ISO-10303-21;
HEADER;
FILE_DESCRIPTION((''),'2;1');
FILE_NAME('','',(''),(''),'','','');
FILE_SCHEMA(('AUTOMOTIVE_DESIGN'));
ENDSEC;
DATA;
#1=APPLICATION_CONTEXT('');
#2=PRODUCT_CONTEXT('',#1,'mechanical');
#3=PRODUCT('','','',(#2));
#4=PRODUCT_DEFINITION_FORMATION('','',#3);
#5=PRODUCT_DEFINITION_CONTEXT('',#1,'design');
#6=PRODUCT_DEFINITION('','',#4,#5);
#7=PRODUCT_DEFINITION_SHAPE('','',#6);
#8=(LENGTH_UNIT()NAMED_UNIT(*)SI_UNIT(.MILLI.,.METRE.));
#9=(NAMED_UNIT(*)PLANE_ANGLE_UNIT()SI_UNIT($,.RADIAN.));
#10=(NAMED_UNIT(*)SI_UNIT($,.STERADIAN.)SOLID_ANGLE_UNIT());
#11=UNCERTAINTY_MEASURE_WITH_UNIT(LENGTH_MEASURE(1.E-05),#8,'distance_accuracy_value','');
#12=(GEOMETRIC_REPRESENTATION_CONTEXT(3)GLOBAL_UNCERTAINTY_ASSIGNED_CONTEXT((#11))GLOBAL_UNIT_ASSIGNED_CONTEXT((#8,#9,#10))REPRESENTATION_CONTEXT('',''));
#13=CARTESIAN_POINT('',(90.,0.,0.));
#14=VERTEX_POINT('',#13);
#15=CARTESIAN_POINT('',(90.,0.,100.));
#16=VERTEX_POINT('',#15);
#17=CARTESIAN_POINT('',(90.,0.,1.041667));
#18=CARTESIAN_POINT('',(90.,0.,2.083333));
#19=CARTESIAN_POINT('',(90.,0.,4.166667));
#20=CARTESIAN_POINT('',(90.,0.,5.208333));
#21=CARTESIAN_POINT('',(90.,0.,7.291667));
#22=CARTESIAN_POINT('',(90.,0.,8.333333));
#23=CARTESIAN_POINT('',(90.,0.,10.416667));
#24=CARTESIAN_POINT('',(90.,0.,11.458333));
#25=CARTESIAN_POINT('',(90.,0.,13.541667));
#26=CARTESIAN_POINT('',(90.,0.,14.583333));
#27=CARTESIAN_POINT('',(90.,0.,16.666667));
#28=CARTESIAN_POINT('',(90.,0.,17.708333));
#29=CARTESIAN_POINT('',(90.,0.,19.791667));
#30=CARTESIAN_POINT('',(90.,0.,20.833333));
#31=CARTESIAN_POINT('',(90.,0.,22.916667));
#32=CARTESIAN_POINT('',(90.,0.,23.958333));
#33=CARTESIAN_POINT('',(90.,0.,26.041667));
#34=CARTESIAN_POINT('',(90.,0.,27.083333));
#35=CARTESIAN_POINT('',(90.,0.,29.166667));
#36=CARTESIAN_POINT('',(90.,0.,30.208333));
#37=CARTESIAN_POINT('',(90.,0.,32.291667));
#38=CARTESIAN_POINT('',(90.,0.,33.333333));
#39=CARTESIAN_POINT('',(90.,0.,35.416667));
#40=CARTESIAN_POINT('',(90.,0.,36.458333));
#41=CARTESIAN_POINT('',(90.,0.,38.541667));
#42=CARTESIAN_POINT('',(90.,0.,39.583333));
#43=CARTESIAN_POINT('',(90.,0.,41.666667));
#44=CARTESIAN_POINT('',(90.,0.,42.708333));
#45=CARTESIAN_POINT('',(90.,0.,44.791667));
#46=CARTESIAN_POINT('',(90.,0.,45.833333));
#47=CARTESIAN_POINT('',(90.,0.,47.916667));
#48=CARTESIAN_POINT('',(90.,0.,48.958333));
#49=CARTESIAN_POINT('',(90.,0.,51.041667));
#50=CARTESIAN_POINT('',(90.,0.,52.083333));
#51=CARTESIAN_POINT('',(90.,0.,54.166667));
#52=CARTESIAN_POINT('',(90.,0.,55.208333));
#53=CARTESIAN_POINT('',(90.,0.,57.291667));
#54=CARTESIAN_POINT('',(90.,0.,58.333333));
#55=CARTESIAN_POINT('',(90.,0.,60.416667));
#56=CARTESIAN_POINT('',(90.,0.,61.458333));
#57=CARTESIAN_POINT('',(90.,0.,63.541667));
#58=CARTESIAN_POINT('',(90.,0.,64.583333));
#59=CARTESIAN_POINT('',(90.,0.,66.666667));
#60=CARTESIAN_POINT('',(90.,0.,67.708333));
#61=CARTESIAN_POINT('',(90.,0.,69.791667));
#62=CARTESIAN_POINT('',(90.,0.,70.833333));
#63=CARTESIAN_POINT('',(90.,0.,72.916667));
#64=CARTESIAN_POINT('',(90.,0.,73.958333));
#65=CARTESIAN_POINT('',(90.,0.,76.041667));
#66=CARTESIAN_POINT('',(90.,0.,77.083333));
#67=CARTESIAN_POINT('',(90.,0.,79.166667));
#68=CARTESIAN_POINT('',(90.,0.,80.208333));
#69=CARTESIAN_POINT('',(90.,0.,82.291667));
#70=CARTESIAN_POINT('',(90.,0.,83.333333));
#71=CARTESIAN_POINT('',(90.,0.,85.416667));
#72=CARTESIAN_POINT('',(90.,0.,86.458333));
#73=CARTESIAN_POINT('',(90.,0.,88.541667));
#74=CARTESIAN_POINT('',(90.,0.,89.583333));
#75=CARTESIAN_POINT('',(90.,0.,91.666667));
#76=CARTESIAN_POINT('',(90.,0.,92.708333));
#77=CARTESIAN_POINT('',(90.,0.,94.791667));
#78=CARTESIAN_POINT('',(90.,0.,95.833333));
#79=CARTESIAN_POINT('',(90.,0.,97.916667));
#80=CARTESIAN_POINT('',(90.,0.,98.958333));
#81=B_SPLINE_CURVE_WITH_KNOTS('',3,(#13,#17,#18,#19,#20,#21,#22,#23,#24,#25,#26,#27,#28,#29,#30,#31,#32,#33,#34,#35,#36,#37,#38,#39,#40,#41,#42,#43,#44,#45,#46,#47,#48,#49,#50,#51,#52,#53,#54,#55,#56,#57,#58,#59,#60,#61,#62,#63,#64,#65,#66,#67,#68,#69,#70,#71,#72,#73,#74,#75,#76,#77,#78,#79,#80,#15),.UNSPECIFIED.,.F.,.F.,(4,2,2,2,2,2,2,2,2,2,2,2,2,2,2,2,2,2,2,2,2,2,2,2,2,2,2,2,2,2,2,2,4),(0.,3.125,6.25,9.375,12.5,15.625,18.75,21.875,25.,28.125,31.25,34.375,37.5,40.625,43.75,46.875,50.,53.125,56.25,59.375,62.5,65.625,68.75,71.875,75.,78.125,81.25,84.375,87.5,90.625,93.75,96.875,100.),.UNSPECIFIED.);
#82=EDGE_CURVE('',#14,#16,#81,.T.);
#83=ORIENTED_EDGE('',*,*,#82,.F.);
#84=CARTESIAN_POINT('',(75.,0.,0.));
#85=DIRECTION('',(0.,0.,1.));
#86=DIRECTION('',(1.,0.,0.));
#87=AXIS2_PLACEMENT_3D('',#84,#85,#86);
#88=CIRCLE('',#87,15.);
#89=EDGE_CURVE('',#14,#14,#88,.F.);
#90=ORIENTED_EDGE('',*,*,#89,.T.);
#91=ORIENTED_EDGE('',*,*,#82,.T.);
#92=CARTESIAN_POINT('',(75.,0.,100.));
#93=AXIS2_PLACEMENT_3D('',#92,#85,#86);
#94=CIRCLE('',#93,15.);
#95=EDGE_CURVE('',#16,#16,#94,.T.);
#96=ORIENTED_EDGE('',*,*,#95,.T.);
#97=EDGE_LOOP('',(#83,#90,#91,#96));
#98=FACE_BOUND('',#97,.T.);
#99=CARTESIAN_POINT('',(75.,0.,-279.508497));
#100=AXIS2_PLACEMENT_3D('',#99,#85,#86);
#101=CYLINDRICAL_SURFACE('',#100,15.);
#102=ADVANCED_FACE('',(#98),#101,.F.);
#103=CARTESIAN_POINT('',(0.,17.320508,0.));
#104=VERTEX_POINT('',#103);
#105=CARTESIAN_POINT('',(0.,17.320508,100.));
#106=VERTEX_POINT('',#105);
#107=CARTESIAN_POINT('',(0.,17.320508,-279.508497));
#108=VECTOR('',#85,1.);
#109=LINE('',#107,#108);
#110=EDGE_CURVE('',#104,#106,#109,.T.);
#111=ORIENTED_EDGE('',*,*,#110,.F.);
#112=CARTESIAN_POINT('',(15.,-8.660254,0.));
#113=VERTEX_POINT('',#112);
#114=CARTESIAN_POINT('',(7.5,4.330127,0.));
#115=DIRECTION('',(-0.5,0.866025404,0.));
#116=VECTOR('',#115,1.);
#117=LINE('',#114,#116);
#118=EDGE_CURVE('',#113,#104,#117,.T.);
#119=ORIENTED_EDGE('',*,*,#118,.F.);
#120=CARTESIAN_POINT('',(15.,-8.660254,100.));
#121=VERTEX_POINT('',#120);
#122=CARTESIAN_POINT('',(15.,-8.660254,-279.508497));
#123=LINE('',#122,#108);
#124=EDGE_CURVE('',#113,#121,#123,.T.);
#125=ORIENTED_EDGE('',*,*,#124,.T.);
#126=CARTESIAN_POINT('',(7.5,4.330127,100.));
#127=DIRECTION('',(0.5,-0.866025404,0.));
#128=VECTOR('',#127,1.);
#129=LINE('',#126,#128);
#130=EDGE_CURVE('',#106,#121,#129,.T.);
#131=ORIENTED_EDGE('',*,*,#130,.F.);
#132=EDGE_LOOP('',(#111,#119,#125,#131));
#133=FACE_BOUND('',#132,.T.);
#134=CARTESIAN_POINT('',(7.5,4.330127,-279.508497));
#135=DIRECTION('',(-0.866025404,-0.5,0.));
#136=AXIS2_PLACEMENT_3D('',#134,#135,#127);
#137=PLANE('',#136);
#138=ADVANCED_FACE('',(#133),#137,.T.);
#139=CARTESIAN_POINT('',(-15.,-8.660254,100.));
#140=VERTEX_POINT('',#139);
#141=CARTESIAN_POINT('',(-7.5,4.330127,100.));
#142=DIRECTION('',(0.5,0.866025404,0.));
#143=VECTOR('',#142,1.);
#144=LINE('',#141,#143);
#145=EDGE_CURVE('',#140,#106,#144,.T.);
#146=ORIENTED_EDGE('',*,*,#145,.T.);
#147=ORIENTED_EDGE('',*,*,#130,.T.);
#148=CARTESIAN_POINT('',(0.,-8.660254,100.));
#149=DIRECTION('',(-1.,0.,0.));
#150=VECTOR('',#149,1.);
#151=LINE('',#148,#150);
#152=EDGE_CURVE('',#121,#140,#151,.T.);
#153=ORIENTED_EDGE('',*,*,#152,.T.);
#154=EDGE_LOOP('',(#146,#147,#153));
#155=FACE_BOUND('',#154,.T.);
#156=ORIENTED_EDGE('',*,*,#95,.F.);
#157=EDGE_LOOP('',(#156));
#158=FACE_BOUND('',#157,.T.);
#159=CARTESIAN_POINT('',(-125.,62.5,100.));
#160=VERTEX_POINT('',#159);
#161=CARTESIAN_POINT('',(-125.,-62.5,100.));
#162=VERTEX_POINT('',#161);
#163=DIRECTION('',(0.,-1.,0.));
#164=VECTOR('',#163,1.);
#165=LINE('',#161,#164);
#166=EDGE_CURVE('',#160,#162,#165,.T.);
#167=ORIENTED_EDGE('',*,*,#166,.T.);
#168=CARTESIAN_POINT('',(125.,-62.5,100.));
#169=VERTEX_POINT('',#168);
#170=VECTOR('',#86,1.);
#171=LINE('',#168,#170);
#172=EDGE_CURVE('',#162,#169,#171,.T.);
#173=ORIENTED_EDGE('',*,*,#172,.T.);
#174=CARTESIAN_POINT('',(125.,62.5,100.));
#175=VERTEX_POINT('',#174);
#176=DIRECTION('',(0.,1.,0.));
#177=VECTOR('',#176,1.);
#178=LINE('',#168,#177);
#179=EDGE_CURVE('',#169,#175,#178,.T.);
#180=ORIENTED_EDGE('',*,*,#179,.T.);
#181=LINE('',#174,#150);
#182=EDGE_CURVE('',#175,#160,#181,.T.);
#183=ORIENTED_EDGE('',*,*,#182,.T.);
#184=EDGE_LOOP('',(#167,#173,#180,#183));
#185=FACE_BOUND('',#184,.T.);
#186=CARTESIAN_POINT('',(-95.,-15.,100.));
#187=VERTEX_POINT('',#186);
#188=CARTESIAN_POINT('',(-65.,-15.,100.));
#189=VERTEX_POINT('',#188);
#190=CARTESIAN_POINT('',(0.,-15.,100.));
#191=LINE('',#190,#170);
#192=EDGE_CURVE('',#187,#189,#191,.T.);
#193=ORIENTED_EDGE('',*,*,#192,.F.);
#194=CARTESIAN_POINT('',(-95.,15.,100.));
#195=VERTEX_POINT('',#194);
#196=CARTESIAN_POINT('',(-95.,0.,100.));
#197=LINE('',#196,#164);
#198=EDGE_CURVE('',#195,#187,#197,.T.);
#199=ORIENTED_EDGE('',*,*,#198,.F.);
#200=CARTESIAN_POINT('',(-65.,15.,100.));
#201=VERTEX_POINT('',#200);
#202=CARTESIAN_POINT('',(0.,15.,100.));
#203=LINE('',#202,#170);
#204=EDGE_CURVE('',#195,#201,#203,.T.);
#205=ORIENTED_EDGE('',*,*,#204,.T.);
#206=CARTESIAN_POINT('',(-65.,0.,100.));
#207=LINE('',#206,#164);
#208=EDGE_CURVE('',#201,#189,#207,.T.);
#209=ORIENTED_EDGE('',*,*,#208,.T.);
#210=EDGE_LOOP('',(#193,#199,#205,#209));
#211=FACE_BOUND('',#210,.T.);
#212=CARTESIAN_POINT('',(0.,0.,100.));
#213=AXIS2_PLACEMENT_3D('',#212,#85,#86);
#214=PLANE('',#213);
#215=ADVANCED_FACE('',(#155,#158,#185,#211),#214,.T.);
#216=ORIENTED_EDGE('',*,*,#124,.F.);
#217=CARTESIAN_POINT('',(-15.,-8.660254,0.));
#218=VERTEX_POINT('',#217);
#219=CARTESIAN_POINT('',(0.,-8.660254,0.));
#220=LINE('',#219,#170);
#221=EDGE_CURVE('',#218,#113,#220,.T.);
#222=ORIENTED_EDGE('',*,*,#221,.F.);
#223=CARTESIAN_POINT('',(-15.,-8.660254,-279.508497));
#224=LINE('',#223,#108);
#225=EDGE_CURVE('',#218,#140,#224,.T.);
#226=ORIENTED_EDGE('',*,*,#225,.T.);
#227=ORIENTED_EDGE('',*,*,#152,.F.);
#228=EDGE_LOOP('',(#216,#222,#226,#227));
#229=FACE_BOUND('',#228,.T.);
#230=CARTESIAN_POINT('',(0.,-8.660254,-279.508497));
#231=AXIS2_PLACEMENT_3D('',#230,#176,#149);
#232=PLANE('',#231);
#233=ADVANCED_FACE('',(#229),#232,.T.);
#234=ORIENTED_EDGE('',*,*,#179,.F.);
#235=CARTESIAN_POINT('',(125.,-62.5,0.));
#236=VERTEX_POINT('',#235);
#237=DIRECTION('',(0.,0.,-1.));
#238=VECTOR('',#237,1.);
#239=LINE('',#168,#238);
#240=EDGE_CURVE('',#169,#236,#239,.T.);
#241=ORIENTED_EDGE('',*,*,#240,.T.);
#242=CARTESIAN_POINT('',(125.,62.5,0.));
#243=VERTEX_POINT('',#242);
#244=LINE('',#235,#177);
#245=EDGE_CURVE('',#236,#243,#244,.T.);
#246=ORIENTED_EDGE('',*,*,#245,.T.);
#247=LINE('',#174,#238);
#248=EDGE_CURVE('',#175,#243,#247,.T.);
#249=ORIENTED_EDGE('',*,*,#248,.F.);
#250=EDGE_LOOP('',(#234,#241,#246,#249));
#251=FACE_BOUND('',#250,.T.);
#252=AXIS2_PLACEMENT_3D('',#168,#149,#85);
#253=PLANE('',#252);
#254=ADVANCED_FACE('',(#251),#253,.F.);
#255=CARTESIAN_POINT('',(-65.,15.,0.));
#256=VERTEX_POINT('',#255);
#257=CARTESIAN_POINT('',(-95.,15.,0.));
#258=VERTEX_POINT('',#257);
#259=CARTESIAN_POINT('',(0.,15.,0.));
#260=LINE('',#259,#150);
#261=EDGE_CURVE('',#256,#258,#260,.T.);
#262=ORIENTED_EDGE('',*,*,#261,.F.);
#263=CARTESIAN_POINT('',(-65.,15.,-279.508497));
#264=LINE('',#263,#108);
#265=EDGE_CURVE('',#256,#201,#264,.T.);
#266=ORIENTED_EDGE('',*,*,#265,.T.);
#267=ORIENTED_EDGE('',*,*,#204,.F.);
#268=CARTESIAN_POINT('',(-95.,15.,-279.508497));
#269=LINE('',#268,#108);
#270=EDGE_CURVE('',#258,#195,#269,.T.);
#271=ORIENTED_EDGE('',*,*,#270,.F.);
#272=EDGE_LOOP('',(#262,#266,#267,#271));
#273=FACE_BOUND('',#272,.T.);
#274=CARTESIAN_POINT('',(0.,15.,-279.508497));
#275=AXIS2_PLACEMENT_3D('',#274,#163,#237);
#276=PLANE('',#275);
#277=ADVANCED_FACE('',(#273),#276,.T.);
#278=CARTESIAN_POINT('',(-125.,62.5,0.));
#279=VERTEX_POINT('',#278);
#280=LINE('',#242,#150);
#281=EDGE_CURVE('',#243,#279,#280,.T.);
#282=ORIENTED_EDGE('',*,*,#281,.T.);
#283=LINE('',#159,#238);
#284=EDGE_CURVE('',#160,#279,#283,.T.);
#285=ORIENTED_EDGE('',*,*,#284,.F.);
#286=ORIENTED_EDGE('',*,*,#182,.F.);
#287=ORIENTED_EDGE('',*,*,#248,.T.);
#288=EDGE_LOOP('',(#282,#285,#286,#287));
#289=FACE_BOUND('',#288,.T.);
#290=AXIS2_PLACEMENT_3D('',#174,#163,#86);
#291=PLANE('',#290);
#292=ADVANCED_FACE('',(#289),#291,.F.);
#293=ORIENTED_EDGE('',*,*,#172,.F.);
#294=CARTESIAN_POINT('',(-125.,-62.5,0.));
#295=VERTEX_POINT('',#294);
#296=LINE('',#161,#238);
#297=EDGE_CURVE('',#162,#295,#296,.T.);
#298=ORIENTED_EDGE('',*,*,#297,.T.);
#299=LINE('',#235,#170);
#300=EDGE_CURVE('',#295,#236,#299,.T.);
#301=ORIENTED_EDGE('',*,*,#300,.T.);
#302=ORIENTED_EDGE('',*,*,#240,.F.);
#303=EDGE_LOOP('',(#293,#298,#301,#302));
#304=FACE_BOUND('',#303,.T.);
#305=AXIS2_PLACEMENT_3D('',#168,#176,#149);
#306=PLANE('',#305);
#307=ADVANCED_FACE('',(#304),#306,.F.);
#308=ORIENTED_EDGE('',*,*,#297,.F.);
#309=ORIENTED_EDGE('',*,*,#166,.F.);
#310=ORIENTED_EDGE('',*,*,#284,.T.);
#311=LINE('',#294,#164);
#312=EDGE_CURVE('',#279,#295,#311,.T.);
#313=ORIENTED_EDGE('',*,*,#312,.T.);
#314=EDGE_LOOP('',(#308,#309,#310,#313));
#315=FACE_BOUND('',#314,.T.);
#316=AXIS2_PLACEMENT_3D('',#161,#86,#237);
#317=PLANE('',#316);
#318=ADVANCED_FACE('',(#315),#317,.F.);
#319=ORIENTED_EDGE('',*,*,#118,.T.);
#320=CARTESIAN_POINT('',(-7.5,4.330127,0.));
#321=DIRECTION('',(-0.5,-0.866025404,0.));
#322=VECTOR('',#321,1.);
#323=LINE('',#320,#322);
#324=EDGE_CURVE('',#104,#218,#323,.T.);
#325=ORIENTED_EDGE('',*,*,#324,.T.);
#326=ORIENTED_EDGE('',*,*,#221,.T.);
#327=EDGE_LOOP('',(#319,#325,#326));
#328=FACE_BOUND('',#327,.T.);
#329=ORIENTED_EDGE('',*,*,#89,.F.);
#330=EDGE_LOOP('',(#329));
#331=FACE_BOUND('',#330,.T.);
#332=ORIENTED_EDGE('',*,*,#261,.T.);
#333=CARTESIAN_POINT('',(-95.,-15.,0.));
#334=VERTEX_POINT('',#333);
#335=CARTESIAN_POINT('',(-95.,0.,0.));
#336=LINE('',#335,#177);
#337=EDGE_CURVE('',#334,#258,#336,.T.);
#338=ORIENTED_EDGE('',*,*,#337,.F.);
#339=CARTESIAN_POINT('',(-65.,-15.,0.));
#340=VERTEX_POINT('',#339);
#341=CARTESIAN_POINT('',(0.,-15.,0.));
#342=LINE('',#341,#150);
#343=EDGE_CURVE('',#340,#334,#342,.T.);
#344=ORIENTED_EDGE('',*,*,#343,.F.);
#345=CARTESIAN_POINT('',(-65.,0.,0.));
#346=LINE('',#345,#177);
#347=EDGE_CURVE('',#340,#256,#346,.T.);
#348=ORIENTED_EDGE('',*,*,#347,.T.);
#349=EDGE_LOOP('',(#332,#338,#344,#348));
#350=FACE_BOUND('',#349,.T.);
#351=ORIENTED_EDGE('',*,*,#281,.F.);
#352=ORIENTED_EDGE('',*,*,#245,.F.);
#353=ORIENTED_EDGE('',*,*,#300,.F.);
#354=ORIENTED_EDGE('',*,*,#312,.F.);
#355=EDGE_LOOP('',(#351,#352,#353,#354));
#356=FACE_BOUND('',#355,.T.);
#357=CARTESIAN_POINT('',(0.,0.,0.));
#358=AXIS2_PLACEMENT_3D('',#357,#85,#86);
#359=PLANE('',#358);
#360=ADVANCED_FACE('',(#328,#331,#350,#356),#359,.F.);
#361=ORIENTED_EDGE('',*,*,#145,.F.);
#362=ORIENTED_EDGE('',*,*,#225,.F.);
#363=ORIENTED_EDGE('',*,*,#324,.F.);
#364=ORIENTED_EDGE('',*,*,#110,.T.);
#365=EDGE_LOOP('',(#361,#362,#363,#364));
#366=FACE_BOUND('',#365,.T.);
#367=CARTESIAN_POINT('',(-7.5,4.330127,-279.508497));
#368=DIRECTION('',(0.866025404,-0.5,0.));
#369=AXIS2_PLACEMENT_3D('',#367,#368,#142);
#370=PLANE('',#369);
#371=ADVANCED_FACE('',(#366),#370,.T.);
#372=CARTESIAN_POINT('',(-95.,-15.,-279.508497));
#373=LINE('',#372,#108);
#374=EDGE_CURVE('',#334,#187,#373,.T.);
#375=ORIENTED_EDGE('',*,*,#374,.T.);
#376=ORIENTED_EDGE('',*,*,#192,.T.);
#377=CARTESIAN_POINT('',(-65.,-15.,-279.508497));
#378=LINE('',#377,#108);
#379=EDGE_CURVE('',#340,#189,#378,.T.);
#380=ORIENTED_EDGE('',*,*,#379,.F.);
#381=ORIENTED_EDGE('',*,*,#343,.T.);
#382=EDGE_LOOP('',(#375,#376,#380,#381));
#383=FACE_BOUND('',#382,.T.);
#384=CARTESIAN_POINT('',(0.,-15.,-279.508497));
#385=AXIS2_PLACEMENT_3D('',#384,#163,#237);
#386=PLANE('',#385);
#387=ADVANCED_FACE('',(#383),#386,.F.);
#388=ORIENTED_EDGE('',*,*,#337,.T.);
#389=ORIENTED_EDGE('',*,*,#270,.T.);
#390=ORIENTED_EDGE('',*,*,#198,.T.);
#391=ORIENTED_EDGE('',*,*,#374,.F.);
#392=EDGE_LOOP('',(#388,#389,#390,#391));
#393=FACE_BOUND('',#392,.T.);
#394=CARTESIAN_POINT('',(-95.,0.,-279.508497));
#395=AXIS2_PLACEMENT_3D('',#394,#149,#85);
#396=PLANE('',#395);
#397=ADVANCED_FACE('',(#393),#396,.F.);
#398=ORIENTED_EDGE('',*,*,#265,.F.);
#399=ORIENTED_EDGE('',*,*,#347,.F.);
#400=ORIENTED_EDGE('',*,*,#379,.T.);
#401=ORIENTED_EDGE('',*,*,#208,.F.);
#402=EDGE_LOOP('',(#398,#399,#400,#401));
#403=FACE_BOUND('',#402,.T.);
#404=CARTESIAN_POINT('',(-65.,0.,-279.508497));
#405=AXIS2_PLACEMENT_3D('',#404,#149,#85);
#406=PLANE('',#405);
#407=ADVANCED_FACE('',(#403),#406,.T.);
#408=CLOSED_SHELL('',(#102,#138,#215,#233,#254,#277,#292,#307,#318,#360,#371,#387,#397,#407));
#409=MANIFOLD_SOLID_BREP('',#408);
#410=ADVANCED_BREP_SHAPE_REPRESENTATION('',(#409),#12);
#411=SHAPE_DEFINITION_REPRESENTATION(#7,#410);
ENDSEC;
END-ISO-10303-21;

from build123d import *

# Parameters (mm, degrees)
SKETCH1_W           = 250
SKETCH1_H           = 125
SKETCH1_W_2         = 230
SKETCH1_H_2         = 115
BOSS_EXTRUDE1_DEPTH = 100
SKETCH3_W           = 250
SKETCH3_H           = 125
SKETCH3_W_2         = 230
SKETCH3_H_2         = 115
SKETCH3_R           = 15
SKETCH3_W_3         = 30
SKETCH3_H_3         = 30
BOSS_EXTRUDE4_DEPTH = 100


with BuildPart() as part:
    # Sketch1 → Boss-Extrude1 (new body)
    with BuildSketch(Plane.XY):
        Rectangle(SKETCH1_W, SKETCH1_H)
        Rectangle(SKETCH1_W_2, SKETCH1_H_2, mode=Mode.SUBTRACT)
    extrude(amount=BOSS_EXTRUDE1_DEPTH)

    # Sketch3 → Boss-Extrude4 (add)
    # profile 1 of 2: a face of its own
    with BuildSketch(Plane.XY.offset(100)):
        Rectangle(SKETCH3_W, SKETCH3_H)
        Rectangle(SKETCH3_W_2, SKETCH3_H_2, mode=Mode.SUBTRACT)
    # profile 2 of 2: a face of its own
    with BuildSketch(Plane.XY.offset(100)):
        Rectangle(SKETCH3_W_2, SKETCH3_H_2)
        with Locations((75, 0)):
            Circle(SKETCH3_R, mode=Mode.SUBTRACT)
        with Locations((-80, 0)):
            Rectangle(SKETCH3_W_3, SKETCH3_H_3, mode=Mode.SUBTRACT)
        Polygon((0, 17.320508076), (15, -8.660254038), (-15, -8.660254038), align=None, mode=Mode.SUBTRACT)
    extrude(amount=-BOSS_EXTRUDE4_DEPTH)


solid = part.part
